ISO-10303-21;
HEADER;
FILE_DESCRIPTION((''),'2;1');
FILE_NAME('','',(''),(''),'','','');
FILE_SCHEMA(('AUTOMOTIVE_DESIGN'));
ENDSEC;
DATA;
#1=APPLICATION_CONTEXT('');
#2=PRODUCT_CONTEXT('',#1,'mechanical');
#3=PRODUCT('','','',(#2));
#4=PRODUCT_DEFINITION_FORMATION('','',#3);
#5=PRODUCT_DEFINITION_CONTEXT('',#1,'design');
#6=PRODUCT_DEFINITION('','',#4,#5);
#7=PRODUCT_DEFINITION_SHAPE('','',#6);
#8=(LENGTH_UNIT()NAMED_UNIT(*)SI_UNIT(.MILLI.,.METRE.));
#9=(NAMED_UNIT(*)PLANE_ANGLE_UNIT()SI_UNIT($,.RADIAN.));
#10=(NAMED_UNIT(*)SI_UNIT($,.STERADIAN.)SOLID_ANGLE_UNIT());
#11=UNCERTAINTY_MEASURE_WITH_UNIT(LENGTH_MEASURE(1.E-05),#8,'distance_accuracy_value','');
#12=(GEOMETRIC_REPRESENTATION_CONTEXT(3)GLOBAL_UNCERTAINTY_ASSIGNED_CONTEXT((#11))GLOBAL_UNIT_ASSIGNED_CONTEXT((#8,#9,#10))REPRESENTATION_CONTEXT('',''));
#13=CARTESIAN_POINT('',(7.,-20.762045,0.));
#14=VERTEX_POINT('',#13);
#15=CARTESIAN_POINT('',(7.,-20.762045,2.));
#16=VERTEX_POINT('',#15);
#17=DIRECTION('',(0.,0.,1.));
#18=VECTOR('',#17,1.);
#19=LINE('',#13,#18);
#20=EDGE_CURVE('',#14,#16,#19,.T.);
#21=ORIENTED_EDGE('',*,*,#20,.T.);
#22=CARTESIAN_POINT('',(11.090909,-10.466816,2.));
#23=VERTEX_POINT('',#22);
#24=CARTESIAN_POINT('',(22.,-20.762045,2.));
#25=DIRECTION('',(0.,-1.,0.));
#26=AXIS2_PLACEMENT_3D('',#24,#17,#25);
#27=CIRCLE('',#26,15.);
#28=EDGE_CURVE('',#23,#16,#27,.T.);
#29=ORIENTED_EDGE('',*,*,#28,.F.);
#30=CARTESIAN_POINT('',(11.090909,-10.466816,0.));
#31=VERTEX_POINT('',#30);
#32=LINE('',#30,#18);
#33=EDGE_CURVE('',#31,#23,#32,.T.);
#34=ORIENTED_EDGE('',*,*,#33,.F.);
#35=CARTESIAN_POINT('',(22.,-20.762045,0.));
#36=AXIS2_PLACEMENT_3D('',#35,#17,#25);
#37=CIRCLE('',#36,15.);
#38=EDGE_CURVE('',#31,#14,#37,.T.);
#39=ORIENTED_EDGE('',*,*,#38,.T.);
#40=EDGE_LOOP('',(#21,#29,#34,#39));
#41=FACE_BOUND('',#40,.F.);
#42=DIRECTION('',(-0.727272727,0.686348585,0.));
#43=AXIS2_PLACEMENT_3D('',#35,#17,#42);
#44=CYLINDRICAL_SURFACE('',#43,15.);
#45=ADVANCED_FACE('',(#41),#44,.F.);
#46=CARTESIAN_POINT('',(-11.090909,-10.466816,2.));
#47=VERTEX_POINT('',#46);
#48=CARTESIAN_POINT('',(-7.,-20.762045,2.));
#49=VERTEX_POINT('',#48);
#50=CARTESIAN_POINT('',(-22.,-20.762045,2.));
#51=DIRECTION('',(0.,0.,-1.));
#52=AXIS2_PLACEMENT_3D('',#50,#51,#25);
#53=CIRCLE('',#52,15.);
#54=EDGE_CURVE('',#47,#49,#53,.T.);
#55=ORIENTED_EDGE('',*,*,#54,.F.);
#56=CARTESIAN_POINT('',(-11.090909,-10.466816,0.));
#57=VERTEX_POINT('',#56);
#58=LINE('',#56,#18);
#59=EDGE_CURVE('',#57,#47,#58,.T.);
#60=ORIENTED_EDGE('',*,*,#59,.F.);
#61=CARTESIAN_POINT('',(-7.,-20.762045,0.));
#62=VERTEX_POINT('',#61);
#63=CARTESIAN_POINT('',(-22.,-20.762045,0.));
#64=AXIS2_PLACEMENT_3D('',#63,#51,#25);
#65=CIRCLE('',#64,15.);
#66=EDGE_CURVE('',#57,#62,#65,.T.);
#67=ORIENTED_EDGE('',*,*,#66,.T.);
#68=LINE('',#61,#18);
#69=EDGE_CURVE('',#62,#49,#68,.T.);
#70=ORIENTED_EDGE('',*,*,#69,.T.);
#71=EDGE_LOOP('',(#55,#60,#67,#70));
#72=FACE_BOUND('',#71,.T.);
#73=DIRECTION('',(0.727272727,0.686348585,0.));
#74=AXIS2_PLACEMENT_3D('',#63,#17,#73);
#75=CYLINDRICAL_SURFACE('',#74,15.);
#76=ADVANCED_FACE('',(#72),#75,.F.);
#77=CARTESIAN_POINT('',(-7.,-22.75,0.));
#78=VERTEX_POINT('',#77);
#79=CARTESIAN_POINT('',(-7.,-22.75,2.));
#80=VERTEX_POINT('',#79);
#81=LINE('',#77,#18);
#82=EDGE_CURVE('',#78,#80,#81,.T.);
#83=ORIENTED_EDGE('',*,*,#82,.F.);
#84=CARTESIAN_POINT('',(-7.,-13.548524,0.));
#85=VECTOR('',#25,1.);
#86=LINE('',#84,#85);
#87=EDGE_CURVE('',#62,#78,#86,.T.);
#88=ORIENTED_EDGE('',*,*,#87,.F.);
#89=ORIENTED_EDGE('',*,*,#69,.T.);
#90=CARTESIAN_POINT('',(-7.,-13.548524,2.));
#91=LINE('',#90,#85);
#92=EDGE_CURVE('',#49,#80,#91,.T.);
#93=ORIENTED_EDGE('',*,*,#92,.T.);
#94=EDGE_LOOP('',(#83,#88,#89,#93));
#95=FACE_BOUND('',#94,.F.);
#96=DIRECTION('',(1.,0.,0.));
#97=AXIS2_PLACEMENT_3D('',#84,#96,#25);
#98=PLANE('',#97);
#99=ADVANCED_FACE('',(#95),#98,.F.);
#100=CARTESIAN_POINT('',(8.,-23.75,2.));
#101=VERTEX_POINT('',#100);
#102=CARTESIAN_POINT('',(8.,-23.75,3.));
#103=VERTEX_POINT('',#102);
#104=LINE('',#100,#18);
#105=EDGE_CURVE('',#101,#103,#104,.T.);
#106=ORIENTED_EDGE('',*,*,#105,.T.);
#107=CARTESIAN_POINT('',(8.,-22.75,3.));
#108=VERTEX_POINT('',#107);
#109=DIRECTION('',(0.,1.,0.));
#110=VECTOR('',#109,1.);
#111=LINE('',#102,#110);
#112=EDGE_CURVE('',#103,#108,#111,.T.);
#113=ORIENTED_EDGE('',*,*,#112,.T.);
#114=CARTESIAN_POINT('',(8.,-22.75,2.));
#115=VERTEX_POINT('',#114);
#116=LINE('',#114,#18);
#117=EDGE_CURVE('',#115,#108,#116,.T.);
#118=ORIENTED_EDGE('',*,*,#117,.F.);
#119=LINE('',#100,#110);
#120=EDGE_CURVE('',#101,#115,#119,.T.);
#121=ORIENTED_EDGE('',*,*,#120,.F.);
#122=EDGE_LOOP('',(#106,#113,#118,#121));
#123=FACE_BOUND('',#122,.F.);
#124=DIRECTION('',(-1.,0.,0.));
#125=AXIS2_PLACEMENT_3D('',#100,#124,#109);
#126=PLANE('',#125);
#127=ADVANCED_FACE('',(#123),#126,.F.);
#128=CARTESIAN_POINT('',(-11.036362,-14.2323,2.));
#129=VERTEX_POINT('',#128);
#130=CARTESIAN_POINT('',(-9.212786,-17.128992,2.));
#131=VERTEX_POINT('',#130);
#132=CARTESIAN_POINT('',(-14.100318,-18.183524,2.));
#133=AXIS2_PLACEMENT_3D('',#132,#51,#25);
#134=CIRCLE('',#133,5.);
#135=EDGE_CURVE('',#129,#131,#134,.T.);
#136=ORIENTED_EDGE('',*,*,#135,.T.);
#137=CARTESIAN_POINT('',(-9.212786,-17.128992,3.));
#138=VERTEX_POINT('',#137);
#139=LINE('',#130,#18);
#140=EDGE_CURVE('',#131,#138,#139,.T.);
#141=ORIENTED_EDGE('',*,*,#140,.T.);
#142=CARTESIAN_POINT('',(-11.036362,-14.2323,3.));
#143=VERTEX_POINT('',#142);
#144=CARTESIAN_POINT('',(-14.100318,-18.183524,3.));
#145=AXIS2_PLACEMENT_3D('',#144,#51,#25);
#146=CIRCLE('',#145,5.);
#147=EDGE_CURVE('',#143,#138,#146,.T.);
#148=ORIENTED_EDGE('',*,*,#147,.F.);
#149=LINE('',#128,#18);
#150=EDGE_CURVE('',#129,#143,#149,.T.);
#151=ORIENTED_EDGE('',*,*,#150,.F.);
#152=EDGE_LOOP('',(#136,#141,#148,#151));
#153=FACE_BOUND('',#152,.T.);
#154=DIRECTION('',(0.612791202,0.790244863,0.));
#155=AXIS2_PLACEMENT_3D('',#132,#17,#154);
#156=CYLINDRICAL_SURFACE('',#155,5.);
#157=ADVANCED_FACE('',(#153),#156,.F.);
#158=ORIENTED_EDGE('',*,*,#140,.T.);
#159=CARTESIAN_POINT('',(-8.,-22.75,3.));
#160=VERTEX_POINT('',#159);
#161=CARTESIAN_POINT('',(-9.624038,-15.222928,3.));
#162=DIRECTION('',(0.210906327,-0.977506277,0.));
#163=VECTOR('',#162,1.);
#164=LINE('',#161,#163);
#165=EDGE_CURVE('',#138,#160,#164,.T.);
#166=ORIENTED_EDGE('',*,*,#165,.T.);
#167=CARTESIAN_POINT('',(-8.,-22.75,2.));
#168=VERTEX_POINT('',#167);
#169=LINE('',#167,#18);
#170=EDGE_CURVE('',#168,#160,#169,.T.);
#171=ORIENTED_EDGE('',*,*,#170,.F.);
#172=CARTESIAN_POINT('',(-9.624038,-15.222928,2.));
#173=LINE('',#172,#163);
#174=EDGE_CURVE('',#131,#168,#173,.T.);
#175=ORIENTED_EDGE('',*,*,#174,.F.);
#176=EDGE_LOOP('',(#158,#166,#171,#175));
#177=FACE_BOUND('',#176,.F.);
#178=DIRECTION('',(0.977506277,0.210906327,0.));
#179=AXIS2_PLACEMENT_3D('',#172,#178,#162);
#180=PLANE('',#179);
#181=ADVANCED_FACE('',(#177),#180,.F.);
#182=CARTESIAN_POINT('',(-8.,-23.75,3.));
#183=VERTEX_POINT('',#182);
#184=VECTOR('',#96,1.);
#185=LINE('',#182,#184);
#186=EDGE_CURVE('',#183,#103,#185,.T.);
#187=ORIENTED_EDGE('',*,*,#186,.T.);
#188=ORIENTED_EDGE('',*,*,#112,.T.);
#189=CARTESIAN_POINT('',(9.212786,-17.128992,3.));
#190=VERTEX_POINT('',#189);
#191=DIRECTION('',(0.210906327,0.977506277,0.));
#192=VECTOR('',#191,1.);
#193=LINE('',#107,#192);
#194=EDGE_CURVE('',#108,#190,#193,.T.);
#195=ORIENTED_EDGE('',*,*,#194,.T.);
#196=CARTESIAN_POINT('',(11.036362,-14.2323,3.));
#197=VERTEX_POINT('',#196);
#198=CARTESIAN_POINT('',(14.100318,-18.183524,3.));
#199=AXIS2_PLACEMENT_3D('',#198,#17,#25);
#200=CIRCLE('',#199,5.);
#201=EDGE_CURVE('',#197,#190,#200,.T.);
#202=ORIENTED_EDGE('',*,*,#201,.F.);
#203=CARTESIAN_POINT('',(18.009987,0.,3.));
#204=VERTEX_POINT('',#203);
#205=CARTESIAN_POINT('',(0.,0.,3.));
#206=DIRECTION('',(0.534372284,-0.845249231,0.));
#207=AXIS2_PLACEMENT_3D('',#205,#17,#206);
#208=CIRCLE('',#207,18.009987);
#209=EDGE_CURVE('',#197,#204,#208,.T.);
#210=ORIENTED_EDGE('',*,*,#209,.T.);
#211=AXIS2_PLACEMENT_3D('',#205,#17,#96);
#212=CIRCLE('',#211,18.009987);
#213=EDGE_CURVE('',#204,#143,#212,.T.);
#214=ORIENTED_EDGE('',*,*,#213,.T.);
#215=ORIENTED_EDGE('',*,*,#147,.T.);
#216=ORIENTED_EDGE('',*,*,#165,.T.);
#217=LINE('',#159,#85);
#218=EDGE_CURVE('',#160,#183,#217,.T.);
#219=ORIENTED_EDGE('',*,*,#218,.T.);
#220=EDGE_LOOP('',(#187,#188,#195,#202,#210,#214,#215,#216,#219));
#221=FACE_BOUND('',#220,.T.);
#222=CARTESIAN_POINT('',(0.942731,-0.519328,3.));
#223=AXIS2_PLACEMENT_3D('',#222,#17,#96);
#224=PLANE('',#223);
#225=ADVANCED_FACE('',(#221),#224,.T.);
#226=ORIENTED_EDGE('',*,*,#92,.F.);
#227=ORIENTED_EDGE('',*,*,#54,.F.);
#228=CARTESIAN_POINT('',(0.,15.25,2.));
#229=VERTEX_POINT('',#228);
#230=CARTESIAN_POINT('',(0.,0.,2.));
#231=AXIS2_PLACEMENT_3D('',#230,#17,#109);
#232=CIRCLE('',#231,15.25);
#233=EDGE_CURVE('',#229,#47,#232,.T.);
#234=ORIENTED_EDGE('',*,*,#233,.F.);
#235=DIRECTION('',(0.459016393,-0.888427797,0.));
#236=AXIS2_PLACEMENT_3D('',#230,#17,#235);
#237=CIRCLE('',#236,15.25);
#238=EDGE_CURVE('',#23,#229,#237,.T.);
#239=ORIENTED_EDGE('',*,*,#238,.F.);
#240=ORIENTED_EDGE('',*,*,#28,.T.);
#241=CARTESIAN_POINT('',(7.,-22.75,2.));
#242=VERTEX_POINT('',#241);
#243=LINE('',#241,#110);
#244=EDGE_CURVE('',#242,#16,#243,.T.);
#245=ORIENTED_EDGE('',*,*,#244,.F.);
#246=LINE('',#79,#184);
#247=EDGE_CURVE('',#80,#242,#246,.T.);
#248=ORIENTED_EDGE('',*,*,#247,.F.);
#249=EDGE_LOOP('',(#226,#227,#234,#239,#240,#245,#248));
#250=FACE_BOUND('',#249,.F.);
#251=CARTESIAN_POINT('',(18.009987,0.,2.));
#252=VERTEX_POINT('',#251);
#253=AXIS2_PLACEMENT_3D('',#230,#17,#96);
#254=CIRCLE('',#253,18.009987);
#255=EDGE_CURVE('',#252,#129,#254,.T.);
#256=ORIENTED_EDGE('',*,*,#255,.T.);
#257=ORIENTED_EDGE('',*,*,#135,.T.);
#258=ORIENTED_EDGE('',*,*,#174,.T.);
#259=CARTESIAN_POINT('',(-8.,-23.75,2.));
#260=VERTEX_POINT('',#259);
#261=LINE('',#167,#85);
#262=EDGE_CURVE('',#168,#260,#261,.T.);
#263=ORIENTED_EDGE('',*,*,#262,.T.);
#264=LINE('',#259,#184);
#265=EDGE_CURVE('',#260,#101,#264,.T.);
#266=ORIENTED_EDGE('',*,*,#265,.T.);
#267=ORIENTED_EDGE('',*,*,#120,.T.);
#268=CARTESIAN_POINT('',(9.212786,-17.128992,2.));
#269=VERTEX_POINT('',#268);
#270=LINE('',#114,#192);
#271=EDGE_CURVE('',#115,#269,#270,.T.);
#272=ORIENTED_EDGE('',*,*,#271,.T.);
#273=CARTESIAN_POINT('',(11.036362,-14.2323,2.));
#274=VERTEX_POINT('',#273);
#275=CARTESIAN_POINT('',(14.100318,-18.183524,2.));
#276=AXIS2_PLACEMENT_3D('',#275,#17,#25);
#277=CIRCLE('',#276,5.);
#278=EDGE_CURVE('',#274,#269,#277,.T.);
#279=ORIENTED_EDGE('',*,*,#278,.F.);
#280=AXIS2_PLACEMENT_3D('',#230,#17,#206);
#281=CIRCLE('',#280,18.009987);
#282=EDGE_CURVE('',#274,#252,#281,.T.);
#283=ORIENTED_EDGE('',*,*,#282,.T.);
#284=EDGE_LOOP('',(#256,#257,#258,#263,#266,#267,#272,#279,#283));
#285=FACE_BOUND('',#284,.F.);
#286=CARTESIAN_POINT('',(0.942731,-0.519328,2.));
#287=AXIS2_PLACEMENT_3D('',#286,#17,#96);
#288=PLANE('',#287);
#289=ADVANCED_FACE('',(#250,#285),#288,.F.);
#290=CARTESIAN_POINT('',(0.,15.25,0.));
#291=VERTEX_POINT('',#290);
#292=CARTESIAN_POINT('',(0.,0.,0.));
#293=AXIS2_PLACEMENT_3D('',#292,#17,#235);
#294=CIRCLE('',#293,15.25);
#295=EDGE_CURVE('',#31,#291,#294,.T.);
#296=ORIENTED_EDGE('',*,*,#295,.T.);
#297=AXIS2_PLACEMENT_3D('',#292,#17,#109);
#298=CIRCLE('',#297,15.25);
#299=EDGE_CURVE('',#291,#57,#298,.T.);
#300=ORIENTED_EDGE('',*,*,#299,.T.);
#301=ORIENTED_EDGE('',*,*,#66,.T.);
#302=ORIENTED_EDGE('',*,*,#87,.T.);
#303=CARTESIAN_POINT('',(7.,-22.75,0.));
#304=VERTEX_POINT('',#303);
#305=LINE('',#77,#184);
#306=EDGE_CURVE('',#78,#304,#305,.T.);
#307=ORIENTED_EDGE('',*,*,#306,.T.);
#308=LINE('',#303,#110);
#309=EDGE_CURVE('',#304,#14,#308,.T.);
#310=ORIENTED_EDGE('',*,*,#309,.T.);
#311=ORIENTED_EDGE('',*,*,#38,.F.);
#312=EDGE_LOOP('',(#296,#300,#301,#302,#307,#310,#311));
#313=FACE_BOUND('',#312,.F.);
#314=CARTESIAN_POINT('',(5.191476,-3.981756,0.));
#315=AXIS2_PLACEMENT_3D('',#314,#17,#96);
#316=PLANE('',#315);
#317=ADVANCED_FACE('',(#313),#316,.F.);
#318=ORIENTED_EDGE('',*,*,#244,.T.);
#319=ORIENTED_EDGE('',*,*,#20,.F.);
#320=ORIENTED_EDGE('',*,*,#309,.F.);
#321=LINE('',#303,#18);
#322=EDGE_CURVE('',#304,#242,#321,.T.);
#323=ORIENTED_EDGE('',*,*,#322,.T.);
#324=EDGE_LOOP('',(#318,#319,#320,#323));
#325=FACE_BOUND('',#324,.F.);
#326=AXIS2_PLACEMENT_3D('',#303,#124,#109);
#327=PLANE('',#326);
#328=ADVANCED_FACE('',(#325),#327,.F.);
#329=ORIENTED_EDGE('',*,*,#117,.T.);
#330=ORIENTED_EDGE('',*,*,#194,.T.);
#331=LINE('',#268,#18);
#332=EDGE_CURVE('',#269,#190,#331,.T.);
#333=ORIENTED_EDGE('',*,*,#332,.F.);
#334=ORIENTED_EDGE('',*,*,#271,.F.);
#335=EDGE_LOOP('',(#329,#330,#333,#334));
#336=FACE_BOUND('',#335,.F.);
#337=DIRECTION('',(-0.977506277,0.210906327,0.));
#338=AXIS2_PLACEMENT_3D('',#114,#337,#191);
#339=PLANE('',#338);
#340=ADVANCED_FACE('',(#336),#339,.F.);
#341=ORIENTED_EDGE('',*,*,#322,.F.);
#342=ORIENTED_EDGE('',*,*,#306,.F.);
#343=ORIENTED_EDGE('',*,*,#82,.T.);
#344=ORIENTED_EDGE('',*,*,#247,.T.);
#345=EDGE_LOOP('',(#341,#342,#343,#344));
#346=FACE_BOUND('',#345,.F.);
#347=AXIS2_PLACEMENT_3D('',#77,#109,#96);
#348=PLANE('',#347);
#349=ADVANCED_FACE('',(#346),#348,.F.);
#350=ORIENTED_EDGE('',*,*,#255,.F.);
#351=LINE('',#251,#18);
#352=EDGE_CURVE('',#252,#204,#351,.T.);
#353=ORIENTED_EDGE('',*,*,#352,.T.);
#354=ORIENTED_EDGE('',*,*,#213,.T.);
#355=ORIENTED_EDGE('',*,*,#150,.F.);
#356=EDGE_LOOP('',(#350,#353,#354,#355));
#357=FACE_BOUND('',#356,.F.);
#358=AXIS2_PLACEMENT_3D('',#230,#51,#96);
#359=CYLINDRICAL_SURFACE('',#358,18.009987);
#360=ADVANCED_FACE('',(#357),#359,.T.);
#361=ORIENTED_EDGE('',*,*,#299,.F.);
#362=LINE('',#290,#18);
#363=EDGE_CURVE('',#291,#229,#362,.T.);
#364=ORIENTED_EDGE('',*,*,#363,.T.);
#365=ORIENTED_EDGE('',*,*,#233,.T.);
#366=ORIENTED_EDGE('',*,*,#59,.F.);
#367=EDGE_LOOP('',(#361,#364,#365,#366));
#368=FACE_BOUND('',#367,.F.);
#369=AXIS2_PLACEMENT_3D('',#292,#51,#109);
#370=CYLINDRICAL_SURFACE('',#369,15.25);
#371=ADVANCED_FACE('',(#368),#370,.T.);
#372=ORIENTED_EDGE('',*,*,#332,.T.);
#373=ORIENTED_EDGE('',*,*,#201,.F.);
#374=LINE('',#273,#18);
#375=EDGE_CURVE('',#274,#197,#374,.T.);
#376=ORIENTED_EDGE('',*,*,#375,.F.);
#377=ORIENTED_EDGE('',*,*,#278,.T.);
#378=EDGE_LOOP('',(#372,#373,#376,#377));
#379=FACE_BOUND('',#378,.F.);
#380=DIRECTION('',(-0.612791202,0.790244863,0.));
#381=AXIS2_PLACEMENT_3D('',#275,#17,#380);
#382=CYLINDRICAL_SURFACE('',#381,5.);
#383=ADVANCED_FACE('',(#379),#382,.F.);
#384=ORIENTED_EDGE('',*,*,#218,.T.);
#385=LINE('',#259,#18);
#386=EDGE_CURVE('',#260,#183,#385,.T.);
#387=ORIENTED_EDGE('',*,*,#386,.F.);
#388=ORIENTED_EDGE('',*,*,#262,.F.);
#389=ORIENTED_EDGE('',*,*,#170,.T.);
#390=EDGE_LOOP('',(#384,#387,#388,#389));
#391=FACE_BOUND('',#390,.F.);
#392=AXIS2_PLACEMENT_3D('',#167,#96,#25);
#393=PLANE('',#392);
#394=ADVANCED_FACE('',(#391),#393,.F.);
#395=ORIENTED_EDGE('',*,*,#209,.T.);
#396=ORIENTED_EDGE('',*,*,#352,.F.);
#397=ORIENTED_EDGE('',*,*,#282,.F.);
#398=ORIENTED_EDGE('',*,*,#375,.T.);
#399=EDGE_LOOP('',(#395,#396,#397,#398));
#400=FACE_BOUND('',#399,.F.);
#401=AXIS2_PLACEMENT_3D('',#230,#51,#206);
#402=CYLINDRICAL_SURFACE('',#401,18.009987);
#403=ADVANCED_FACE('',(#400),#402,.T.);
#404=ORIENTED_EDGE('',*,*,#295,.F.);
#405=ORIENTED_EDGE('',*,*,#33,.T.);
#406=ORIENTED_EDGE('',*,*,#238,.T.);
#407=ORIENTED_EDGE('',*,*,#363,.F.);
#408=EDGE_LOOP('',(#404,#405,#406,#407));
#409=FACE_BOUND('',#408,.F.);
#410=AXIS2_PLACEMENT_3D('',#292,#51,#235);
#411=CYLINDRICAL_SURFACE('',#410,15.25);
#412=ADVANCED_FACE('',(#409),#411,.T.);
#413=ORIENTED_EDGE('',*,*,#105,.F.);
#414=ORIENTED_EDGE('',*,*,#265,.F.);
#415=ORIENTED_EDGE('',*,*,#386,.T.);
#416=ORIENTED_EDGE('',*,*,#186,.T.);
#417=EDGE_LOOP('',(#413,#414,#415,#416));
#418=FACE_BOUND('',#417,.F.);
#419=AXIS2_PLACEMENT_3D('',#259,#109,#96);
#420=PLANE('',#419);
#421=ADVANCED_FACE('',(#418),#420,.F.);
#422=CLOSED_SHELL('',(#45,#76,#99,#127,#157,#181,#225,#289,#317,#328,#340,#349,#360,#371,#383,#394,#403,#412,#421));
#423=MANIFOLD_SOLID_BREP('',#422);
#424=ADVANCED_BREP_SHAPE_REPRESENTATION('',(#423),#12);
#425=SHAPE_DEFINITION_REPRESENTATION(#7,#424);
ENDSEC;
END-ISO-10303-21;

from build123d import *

# Parameters (mm, degrees)
F1_DEPTH = 2
F2_R     = 15
F3_R     = 15
F4_W     = 14
F4_H     = 1
F5_DEPTH = 1
F6_R     = 5


with BuildPart() as f1:
    # F0 (on Top) → F1 (new body)
    with BuildSketch(Plane.XY):
        with BuildLine():
            Line((7, -16.75), (7, -13.5485239048))
            ThreePointArc((7, -13.5485239048), (14.8185270784, 3.6019099414), (0, 15.25))
            Line((0, 15.25), (0, -22.75))
            Line((0, -22.75), (7, -22.75))
            Line((7, -22.75), (7, -16.75))
        make_face()
        with BuildLine():
            Line((0, -22.75), (0, 15.25))
            ThreePointArc((0, 15.25), (-14.8185270784, 3.6019099414), (-7, -13.5485239048))
            Line((-7, -13.5485239048), (-7, -16.75))
            Line((-7, -16.75), (-7, -22.75))
            Line((-7, -22.75), (0, -22.75))
        make_face()
    extrude(amount=F1_DEPTH)

    # F2
    f2_edges = [f1.edges().sort_by_distance(p)[0] for p in [
        (-7, -13.548524, 1),
    ]]
    fillet(f2_edges, radius=F2_R)

    # F3
    f3_edges = [f1.edges().sort_by_distance(p)[0] for p in [
        (7, -13.548524, 1),
    ]]
    fillet(f3_edges, radius=F3_R)

    # F4 (on face) → F5 (join)
    with BuildSketch(Plane.XY.offset(2)):
        with BuildLine():
            ThreePointArc((9.62403785, -15.2229276029), (15.7747967541, -8.6899606851), (18.0099869334, 0))
            ThreePointArc((18.0099869334, 0), (-8.6899606851, 15.7747967541), (-9.62403785, -15.2229276029))
            ThreePointArc((-9.62403785, -15.2229276029), (0, -18.0099869334), (9.62403785, -15.2229276029))
        make_face()
        with BuildLine():
            ThreePointArc((9.62403785, -15.2229276029), (0, -18.0099869334), (-9.62403785, -15.2229276029))
            Line((-9.62403785, -15.2229276029), (-7, -22.75))
            Line((-7, -22.75), (7, -22.75))
            Line((7, -22.75), (9.62403785, -15.2229276029))
        make_face()
        Polygon((-7, -22.75), (-9.62403785, -15.2229276029), (-7, -23.75), align=None)
        Polygon((-7, -23.75), (-9.62403785, -15.2229276029), (-8, -22.75), (-8, -23.75), align=None)
        Polygon((7, -23.75), (9.62403785, -15.2229276029), (7, -22.75), align=None)
        Polygon((8, -22.75), (9.62403785, -15.2229276029), (7, -23.75), (8, -23.75), align=None)
        with Locations((0, -23.25)):
            Rectangle(F4_W, F4_H)
    extrude(amount=F5_DEPTH)

    # F6
    f6_edges = [f1.edges().sort_by_distance(p)[0] for p in [
        (9.624038, -15.222928, 2.5),
        (-9.624038, -15.222928, 2.5),
    ]]
    fillet(f6_edges, radius=F6_R)


solid = f1.part
